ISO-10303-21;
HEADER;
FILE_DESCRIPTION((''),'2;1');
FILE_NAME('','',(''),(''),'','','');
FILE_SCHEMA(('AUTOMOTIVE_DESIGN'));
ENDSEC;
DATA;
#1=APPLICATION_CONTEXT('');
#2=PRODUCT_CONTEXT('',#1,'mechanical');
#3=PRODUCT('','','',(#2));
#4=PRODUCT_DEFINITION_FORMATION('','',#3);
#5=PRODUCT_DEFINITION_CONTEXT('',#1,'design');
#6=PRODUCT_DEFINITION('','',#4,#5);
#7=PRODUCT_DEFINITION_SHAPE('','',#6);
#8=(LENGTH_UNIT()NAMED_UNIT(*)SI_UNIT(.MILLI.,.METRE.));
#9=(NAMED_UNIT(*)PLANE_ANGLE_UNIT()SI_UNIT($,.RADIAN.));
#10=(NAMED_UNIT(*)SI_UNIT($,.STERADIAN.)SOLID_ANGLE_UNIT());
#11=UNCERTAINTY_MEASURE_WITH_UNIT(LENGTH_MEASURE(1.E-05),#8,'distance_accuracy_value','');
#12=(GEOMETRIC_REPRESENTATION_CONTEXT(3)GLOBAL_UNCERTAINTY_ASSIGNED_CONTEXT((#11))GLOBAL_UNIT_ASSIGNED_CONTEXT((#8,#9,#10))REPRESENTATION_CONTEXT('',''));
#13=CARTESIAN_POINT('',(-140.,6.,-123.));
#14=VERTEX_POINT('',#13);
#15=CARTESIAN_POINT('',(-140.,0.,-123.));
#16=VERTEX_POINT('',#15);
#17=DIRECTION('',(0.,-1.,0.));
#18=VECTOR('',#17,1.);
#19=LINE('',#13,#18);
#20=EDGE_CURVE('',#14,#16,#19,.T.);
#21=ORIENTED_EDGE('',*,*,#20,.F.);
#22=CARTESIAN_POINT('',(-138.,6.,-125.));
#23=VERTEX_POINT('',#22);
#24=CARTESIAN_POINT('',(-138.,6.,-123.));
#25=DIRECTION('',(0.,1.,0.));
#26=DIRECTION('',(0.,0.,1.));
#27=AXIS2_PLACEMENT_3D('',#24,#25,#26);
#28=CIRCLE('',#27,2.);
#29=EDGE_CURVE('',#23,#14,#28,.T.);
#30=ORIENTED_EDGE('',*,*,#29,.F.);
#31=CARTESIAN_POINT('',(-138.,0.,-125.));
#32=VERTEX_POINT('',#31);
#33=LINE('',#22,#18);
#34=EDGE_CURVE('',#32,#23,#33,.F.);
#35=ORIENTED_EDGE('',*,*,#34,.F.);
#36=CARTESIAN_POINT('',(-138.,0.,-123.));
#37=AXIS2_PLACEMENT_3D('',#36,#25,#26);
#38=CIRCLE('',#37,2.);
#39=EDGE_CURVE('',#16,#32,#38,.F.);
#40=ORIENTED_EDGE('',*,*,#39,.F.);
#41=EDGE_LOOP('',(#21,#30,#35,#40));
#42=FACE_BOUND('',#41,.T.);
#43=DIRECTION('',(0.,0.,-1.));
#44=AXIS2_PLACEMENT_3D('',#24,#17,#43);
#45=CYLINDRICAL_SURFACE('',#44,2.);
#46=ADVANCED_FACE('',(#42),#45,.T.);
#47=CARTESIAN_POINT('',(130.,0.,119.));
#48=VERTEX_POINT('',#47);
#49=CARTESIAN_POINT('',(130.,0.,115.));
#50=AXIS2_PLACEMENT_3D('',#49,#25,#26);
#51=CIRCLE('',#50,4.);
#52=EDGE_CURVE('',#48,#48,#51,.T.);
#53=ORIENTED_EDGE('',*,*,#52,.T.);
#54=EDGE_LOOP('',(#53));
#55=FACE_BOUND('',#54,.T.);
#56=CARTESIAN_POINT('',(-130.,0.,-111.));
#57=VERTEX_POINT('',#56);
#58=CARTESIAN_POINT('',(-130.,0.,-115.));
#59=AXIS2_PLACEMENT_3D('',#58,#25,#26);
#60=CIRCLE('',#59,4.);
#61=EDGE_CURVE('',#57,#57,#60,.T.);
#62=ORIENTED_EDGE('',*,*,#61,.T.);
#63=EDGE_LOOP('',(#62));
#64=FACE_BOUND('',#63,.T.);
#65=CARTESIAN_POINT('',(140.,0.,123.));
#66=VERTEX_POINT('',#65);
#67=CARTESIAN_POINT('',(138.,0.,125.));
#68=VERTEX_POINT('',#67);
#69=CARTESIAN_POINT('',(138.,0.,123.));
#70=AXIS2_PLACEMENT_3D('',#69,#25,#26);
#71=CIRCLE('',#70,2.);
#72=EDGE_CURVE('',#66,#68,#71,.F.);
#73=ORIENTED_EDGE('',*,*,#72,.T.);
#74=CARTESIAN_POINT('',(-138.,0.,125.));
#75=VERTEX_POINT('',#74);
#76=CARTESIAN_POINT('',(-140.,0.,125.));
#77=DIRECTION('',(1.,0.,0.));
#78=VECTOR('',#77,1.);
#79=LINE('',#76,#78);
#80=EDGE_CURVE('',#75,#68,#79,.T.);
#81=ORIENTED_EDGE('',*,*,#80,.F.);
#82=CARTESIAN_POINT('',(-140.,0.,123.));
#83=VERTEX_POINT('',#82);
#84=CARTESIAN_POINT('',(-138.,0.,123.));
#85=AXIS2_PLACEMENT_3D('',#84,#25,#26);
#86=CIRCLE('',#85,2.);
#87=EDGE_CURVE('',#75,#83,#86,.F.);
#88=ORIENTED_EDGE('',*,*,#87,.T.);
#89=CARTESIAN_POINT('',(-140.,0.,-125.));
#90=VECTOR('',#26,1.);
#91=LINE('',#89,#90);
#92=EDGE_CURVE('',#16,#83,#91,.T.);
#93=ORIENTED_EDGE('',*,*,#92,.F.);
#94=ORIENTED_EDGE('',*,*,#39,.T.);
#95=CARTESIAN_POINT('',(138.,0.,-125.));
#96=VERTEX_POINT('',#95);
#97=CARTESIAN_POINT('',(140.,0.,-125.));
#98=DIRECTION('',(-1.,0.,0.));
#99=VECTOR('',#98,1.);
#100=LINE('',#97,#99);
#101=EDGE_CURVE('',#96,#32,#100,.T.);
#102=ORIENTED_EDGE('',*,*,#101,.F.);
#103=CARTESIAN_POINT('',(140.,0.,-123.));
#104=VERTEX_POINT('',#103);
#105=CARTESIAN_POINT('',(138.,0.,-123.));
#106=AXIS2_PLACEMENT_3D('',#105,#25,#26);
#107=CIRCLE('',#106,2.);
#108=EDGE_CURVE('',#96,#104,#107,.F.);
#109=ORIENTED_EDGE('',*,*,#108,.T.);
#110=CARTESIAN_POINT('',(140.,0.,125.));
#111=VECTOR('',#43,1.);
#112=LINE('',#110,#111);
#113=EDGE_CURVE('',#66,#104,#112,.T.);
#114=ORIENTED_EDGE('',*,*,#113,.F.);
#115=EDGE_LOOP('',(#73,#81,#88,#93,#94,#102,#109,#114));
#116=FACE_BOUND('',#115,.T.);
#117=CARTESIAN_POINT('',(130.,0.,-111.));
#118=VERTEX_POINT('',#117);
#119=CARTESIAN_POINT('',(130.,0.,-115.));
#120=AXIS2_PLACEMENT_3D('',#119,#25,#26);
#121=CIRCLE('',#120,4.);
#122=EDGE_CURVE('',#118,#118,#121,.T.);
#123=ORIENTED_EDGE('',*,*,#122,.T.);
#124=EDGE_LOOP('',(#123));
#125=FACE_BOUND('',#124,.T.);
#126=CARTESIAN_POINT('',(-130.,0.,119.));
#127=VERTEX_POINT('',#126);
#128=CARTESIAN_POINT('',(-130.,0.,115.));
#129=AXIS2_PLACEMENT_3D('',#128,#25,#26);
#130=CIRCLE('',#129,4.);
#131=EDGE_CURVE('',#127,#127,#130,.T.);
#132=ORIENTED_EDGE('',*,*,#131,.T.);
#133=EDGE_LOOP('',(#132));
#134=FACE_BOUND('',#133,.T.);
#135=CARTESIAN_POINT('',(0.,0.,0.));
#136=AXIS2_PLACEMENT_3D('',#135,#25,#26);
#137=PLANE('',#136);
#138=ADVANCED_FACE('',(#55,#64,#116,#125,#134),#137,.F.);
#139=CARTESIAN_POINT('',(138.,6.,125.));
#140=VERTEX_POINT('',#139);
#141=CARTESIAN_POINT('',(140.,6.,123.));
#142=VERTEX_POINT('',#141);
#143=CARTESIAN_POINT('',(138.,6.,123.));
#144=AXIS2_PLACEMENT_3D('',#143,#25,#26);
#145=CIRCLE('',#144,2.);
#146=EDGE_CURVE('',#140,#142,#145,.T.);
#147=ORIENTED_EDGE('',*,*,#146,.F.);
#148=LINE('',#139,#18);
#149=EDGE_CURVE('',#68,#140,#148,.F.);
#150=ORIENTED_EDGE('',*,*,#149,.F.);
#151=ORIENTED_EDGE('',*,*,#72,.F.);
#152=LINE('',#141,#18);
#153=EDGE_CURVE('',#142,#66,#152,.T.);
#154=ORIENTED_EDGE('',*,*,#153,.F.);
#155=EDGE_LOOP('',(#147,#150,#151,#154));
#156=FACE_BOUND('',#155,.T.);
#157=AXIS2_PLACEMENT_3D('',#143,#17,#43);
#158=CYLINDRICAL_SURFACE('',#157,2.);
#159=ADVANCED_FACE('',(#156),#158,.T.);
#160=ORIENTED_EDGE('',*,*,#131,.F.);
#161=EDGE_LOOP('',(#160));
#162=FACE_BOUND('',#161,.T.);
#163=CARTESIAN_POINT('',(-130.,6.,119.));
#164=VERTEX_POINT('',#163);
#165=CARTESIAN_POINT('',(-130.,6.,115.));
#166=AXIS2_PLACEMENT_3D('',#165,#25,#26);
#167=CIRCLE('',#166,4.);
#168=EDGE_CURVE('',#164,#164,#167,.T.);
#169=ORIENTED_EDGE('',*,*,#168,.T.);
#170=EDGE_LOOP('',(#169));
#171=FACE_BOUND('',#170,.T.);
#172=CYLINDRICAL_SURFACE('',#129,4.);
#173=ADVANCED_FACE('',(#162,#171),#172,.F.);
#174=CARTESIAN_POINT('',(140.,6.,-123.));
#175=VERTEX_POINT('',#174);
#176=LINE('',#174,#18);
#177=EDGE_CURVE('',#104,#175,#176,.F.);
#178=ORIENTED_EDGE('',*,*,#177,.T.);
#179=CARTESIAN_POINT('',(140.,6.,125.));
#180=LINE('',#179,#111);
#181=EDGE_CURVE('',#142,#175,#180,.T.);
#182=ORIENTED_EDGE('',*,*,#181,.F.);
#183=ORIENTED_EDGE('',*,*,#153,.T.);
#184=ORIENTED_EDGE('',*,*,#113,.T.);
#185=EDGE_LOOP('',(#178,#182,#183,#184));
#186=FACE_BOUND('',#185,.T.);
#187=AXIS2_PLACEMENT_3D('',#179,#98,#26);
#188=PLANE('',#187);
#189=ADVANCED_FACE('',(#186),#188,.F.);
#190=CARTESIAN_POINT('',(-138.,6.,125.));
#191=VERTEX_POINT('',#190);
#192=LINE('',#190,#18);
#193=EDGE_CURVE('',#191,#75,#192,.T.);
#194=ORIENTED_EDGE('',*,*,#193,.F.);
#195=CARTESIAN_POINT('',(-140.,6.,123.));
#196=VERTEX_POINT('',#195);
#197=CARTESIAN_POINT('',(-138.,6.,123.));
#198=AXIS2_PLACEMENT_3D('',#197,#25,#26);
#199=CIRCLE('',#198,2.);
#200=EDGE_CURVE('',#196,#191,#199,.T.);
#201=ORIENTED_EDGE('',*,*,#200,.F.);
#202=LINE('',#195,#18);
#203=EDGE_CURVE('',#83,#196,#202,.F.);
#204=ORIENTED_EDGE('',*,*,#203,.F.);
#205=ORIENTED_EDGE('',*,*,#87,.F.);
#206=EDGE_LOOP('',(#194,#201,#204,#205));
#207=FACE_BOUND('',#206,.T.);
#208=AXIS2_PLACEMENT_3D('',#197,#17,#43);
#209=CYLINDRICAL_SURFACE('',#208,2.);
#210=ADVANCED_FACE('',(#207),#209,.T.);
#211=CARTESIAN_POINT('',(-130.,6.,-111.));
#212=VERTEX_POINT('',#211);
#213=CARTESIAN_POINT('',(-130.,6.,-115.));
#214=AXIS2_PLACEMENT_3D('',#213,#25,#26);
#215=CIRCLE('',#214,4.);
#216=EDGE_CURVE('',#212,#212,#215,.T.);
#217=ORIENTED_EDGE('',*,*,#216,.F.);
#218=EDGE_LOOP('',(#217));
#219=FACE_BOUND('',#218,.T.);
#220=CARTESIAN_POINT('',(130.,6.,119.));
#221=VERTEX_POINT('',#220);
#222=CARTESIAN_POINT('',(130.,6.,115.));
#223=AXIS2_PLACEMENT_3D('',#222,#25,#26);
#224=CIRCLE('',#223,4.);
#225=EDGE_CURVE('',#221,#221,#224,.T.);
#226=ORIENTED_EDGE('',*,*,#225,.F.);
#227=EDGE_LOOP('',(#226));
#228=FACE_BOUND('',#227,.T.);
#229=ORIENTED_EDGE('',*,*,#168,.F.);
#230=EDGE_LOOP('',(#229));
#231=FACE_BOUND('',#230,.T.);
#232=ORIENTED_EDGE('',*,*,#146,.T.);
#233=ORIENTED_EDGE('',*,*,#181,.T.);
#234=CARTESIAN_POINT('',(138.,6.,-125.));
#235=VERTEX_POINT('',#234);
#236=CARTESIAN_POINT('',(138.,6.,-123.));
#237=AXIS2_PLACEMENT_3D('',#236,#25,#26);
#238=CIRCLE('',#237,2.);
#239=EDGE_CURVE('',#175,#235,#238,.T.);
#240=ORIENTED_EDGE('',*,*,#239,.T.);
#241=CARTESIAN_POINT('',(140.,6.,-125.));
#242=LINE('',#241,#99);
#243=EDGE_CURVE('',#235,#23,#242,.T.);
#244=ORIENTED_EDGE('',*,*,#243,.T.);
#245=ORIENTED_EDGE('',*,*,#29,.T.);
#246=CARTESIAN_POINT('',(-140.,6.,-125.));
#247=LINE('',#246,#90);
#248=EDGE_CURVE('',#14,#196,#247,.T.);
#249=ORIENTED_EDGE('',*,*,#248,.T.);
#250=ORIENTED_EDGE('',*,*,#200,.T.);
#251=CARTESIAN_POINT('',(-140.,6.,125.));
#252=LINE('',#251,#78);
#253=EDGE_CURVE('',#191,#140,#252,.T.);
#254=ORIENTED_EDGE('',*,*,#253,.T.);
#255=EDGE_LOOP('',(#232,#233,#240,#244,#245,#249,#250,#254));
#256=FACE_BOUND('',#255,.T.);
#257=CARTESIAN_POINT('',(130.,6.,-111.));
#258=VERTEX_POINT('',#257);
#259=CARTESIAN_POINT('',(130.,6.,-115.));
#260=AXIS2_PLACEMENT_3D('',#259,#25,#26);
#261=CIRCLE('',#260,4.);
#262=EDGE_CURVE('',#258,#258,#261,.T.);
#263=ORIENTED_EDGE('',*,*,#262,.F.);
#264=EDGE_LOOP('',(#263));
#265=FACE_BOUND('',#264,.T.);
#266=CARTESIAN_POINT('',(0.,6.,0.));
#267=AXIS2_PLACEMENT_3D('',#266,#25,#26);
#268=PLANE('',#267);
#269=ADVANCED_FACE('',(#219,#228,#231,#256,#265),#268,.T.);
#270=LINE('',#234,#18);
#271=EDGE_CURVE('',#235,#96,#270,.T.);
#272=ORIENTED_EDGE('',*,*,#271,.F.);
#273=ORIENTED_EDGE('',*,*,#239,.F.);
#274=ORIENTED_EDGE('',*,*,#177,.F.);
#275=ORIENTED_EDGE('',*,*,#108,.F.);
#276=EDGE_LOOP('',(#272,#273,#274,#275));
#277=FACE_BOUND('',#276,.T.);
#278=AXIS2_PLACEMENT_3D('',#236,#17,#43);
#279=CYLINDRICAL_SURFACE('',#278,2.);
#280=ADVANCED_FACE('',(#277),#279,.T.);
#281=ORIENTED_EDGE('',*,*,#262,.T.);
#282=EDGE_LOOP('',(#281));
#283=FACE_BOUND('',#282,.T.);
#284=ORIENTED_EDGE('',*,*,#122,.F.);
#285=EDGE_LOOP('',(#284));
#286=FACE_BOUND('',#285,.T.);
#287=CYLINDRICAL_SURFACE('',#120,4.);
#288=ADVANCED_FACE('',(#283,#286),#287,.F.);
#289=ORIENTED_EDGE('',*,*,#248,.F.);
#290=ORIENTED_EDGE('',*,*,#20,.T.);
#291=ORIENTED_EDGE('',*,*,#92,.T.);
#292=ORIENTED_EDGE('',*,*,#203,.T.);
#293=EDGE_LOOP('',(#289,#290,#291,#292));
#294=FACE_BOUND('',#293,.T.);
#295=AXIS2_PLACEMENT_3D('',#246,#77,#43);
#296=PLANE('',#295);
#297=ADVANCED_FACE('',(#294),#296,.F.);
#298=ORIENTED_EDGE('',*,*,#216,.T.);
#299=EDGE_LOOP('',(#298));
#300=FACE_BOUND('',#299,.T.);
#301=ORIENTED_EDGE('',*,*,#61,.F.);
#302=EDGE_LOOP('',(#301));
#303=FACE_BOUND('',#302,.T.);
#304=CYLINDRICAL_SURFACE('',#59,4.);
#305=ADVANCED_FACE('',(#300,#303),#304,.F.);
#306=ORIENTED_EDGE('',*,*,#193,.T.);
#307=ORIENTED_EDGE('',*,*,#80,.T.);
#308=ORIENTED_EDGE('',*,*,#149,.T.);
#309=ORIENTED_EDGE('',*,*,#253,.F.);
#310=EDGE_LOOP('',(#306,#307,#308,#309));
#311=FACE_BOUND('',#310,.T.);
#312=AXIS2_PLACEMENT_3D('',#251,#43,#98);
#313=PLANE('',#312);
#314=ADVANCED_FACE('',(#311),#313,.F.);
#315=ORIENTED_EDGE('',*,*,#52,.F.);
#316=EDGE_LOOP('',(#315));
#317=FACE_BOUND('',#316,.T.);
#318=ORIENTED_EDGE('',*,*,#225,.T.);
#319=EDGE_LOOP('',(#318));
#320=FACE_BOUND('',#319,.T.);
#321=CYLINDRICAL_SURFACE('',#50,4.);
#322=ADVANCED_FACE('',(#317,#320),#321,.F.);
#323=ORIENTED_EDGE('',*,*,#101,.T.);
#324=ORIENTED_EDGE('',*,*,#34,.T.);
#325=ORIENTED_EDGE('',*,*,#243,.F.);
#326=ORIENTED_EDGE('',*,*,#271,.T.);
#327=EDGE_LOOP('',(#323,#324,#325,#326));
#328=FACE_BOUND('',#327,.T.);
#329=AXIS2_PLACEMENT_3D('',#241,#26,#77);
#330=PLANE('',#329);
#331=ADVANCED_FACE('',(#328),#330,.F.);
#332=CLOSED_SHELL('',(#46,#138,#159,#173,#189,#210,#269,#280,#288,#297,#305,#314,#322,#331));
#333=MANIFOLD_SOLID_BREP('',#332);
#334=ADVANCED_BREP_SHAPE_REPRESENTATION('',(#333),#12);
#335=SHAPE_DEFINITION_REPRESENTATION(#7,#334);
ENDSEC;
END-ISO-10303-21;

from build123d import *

# Parameters (mm, degrees)
SKETCH1_W           = 280
SKETCH1_H           = 250
BOSS_EXTRUDE1_DEPTH = 6
FILLET1_R           = 2
SKETCH2_R           = 4
CUT_EXTRUDE1_DEPTH  = 188.77912557


with BuildPart() as part:
    # Sketch1 → Boss-Extrude1 (new body)
    with BuildSketch(Plane(origin=(0, 0, 0), x_dir=(1, 0, 0), z_dir=(0, 1, 0))):
        Rectangle(SKETCH1_W, SKETCH1_H)
    extrude(amount=BOSS_EXTRUDE1_DEPTH)

    # Fillet1
    fillet1_edges = [part.edges().sort_by_distance(p)[0] for p in [
        (140, 3, -125),
        (140, 3, 125),
        (-140, 3, 125),
        (-140, 3, -125),
    ]]
    fillet(fillet1_edges, radius=FILLET1_R)

    # Sketch2 → Cut-Extrude1 (cut, through all)
    with BuildSketch(Plane(origin=(0, 6, 0), x_dir=(1, 0, 0), z_dir=(0, 1, 0))):
        with Locations(Location((-130, 115, 0), (0, 0, 270))):
            Circle(SKETCH2_R)
        with Locations(Location((130, 115, 0), (0, 0, 270))):
            Circle(SKETCH2_R)
        with Locations(Location((130, -115, 0), (0, 0, 270))):
            Circle(SKETCH2_R)
        with Locations(Location((-130, -115, 0), (0, 0, 270))):
            Circle(SKETCH2_R)
    extrude(amount=-CUT_EXTRUDE1_DEPTH, mode=Mode.SUBTRACT)


solid = part.part
